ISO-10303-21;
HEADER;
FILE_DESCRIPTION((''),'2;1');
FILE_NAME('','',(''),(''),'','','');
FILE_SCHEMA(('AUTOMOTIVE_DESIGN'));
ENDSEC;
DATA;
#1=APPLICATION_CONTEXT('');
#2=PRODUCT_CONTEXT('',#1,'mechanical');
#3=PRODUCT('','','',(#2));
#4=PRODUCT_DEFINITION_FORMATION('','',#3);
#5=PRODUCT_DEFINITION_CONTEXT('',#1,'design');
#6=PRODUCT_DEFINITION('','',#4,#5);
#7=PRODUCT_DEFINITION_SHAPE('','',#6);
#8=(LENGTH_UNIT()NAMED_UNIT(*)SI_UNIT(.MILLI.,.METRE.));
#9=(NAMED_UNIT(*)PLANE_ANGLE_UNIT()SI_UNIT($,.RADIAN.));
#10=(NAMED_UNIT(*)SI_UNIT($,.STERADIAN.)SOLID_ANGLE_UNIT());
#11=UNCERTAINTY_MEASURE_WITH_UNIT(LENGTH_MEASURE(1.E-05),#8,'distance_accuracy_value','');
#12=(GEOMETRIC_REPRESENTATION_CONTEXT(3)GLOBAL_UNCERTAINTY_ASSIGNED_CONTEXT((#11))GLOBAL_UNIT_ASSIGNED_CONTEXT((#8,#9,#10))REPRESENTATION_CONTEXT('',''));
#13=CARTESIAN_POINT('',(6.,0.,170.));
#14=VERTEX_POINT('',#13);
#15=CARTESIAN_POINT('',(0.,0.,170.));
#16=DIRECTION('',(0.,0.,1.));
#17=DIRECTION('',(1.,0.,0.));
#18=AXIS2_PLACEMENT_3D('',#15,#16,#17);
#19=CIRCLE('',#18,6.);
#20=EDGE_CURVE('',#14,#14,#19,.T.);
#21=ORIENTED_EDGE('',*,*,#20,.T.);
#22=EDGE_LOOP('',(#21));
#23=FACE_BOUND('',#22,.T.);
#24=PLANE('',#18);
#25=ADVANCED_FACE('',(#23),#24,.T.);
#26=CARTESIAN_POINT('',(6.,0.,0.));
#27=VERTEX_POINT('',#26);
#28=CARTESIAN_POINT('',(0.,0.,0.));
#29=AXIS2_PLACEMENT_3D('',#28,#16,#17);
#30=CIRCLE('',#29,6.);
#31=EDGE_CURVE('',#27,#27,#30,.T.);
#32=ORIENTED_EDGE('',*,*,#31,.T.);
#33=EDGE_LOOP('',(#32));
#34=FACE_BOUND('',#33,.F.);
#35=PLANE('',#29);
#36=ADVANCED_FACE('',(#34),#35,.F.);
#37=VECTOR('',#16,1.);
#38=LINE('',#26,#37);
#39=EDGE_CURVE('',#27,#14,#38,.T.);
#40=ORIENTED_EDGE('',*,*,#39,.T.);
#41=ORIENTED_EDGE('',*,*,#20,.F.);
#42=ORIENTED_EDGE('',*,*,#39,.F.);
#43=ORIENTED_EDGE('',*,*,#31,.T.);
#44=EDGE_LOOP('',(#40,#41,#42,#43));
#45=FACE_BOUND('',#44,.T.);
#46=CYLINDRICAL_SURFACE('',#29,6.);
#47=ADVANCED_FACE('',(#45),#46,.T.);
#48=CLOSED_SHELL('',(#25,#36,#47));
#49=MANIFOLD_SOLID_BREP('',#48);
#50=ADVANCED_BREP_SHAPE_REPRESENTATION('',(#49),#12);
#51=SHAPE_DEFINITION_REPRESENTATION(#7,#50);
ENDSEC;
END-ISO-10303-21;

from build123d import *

# Parameters (mm, degrees)
F0_R = 6


with BuildPart() as f2:
    # F2: sweep along a path in F1
    with BuildLine(Plane.YZ) as f2_path:
        Line((0, 0), (0, 170))
    # F0 (on Top) → F2 (sweep)
    with BuildSketch(Plane.XY):
        Circle(F0_R)
    sweep(path=f2_path.line)


solid = f2.part
